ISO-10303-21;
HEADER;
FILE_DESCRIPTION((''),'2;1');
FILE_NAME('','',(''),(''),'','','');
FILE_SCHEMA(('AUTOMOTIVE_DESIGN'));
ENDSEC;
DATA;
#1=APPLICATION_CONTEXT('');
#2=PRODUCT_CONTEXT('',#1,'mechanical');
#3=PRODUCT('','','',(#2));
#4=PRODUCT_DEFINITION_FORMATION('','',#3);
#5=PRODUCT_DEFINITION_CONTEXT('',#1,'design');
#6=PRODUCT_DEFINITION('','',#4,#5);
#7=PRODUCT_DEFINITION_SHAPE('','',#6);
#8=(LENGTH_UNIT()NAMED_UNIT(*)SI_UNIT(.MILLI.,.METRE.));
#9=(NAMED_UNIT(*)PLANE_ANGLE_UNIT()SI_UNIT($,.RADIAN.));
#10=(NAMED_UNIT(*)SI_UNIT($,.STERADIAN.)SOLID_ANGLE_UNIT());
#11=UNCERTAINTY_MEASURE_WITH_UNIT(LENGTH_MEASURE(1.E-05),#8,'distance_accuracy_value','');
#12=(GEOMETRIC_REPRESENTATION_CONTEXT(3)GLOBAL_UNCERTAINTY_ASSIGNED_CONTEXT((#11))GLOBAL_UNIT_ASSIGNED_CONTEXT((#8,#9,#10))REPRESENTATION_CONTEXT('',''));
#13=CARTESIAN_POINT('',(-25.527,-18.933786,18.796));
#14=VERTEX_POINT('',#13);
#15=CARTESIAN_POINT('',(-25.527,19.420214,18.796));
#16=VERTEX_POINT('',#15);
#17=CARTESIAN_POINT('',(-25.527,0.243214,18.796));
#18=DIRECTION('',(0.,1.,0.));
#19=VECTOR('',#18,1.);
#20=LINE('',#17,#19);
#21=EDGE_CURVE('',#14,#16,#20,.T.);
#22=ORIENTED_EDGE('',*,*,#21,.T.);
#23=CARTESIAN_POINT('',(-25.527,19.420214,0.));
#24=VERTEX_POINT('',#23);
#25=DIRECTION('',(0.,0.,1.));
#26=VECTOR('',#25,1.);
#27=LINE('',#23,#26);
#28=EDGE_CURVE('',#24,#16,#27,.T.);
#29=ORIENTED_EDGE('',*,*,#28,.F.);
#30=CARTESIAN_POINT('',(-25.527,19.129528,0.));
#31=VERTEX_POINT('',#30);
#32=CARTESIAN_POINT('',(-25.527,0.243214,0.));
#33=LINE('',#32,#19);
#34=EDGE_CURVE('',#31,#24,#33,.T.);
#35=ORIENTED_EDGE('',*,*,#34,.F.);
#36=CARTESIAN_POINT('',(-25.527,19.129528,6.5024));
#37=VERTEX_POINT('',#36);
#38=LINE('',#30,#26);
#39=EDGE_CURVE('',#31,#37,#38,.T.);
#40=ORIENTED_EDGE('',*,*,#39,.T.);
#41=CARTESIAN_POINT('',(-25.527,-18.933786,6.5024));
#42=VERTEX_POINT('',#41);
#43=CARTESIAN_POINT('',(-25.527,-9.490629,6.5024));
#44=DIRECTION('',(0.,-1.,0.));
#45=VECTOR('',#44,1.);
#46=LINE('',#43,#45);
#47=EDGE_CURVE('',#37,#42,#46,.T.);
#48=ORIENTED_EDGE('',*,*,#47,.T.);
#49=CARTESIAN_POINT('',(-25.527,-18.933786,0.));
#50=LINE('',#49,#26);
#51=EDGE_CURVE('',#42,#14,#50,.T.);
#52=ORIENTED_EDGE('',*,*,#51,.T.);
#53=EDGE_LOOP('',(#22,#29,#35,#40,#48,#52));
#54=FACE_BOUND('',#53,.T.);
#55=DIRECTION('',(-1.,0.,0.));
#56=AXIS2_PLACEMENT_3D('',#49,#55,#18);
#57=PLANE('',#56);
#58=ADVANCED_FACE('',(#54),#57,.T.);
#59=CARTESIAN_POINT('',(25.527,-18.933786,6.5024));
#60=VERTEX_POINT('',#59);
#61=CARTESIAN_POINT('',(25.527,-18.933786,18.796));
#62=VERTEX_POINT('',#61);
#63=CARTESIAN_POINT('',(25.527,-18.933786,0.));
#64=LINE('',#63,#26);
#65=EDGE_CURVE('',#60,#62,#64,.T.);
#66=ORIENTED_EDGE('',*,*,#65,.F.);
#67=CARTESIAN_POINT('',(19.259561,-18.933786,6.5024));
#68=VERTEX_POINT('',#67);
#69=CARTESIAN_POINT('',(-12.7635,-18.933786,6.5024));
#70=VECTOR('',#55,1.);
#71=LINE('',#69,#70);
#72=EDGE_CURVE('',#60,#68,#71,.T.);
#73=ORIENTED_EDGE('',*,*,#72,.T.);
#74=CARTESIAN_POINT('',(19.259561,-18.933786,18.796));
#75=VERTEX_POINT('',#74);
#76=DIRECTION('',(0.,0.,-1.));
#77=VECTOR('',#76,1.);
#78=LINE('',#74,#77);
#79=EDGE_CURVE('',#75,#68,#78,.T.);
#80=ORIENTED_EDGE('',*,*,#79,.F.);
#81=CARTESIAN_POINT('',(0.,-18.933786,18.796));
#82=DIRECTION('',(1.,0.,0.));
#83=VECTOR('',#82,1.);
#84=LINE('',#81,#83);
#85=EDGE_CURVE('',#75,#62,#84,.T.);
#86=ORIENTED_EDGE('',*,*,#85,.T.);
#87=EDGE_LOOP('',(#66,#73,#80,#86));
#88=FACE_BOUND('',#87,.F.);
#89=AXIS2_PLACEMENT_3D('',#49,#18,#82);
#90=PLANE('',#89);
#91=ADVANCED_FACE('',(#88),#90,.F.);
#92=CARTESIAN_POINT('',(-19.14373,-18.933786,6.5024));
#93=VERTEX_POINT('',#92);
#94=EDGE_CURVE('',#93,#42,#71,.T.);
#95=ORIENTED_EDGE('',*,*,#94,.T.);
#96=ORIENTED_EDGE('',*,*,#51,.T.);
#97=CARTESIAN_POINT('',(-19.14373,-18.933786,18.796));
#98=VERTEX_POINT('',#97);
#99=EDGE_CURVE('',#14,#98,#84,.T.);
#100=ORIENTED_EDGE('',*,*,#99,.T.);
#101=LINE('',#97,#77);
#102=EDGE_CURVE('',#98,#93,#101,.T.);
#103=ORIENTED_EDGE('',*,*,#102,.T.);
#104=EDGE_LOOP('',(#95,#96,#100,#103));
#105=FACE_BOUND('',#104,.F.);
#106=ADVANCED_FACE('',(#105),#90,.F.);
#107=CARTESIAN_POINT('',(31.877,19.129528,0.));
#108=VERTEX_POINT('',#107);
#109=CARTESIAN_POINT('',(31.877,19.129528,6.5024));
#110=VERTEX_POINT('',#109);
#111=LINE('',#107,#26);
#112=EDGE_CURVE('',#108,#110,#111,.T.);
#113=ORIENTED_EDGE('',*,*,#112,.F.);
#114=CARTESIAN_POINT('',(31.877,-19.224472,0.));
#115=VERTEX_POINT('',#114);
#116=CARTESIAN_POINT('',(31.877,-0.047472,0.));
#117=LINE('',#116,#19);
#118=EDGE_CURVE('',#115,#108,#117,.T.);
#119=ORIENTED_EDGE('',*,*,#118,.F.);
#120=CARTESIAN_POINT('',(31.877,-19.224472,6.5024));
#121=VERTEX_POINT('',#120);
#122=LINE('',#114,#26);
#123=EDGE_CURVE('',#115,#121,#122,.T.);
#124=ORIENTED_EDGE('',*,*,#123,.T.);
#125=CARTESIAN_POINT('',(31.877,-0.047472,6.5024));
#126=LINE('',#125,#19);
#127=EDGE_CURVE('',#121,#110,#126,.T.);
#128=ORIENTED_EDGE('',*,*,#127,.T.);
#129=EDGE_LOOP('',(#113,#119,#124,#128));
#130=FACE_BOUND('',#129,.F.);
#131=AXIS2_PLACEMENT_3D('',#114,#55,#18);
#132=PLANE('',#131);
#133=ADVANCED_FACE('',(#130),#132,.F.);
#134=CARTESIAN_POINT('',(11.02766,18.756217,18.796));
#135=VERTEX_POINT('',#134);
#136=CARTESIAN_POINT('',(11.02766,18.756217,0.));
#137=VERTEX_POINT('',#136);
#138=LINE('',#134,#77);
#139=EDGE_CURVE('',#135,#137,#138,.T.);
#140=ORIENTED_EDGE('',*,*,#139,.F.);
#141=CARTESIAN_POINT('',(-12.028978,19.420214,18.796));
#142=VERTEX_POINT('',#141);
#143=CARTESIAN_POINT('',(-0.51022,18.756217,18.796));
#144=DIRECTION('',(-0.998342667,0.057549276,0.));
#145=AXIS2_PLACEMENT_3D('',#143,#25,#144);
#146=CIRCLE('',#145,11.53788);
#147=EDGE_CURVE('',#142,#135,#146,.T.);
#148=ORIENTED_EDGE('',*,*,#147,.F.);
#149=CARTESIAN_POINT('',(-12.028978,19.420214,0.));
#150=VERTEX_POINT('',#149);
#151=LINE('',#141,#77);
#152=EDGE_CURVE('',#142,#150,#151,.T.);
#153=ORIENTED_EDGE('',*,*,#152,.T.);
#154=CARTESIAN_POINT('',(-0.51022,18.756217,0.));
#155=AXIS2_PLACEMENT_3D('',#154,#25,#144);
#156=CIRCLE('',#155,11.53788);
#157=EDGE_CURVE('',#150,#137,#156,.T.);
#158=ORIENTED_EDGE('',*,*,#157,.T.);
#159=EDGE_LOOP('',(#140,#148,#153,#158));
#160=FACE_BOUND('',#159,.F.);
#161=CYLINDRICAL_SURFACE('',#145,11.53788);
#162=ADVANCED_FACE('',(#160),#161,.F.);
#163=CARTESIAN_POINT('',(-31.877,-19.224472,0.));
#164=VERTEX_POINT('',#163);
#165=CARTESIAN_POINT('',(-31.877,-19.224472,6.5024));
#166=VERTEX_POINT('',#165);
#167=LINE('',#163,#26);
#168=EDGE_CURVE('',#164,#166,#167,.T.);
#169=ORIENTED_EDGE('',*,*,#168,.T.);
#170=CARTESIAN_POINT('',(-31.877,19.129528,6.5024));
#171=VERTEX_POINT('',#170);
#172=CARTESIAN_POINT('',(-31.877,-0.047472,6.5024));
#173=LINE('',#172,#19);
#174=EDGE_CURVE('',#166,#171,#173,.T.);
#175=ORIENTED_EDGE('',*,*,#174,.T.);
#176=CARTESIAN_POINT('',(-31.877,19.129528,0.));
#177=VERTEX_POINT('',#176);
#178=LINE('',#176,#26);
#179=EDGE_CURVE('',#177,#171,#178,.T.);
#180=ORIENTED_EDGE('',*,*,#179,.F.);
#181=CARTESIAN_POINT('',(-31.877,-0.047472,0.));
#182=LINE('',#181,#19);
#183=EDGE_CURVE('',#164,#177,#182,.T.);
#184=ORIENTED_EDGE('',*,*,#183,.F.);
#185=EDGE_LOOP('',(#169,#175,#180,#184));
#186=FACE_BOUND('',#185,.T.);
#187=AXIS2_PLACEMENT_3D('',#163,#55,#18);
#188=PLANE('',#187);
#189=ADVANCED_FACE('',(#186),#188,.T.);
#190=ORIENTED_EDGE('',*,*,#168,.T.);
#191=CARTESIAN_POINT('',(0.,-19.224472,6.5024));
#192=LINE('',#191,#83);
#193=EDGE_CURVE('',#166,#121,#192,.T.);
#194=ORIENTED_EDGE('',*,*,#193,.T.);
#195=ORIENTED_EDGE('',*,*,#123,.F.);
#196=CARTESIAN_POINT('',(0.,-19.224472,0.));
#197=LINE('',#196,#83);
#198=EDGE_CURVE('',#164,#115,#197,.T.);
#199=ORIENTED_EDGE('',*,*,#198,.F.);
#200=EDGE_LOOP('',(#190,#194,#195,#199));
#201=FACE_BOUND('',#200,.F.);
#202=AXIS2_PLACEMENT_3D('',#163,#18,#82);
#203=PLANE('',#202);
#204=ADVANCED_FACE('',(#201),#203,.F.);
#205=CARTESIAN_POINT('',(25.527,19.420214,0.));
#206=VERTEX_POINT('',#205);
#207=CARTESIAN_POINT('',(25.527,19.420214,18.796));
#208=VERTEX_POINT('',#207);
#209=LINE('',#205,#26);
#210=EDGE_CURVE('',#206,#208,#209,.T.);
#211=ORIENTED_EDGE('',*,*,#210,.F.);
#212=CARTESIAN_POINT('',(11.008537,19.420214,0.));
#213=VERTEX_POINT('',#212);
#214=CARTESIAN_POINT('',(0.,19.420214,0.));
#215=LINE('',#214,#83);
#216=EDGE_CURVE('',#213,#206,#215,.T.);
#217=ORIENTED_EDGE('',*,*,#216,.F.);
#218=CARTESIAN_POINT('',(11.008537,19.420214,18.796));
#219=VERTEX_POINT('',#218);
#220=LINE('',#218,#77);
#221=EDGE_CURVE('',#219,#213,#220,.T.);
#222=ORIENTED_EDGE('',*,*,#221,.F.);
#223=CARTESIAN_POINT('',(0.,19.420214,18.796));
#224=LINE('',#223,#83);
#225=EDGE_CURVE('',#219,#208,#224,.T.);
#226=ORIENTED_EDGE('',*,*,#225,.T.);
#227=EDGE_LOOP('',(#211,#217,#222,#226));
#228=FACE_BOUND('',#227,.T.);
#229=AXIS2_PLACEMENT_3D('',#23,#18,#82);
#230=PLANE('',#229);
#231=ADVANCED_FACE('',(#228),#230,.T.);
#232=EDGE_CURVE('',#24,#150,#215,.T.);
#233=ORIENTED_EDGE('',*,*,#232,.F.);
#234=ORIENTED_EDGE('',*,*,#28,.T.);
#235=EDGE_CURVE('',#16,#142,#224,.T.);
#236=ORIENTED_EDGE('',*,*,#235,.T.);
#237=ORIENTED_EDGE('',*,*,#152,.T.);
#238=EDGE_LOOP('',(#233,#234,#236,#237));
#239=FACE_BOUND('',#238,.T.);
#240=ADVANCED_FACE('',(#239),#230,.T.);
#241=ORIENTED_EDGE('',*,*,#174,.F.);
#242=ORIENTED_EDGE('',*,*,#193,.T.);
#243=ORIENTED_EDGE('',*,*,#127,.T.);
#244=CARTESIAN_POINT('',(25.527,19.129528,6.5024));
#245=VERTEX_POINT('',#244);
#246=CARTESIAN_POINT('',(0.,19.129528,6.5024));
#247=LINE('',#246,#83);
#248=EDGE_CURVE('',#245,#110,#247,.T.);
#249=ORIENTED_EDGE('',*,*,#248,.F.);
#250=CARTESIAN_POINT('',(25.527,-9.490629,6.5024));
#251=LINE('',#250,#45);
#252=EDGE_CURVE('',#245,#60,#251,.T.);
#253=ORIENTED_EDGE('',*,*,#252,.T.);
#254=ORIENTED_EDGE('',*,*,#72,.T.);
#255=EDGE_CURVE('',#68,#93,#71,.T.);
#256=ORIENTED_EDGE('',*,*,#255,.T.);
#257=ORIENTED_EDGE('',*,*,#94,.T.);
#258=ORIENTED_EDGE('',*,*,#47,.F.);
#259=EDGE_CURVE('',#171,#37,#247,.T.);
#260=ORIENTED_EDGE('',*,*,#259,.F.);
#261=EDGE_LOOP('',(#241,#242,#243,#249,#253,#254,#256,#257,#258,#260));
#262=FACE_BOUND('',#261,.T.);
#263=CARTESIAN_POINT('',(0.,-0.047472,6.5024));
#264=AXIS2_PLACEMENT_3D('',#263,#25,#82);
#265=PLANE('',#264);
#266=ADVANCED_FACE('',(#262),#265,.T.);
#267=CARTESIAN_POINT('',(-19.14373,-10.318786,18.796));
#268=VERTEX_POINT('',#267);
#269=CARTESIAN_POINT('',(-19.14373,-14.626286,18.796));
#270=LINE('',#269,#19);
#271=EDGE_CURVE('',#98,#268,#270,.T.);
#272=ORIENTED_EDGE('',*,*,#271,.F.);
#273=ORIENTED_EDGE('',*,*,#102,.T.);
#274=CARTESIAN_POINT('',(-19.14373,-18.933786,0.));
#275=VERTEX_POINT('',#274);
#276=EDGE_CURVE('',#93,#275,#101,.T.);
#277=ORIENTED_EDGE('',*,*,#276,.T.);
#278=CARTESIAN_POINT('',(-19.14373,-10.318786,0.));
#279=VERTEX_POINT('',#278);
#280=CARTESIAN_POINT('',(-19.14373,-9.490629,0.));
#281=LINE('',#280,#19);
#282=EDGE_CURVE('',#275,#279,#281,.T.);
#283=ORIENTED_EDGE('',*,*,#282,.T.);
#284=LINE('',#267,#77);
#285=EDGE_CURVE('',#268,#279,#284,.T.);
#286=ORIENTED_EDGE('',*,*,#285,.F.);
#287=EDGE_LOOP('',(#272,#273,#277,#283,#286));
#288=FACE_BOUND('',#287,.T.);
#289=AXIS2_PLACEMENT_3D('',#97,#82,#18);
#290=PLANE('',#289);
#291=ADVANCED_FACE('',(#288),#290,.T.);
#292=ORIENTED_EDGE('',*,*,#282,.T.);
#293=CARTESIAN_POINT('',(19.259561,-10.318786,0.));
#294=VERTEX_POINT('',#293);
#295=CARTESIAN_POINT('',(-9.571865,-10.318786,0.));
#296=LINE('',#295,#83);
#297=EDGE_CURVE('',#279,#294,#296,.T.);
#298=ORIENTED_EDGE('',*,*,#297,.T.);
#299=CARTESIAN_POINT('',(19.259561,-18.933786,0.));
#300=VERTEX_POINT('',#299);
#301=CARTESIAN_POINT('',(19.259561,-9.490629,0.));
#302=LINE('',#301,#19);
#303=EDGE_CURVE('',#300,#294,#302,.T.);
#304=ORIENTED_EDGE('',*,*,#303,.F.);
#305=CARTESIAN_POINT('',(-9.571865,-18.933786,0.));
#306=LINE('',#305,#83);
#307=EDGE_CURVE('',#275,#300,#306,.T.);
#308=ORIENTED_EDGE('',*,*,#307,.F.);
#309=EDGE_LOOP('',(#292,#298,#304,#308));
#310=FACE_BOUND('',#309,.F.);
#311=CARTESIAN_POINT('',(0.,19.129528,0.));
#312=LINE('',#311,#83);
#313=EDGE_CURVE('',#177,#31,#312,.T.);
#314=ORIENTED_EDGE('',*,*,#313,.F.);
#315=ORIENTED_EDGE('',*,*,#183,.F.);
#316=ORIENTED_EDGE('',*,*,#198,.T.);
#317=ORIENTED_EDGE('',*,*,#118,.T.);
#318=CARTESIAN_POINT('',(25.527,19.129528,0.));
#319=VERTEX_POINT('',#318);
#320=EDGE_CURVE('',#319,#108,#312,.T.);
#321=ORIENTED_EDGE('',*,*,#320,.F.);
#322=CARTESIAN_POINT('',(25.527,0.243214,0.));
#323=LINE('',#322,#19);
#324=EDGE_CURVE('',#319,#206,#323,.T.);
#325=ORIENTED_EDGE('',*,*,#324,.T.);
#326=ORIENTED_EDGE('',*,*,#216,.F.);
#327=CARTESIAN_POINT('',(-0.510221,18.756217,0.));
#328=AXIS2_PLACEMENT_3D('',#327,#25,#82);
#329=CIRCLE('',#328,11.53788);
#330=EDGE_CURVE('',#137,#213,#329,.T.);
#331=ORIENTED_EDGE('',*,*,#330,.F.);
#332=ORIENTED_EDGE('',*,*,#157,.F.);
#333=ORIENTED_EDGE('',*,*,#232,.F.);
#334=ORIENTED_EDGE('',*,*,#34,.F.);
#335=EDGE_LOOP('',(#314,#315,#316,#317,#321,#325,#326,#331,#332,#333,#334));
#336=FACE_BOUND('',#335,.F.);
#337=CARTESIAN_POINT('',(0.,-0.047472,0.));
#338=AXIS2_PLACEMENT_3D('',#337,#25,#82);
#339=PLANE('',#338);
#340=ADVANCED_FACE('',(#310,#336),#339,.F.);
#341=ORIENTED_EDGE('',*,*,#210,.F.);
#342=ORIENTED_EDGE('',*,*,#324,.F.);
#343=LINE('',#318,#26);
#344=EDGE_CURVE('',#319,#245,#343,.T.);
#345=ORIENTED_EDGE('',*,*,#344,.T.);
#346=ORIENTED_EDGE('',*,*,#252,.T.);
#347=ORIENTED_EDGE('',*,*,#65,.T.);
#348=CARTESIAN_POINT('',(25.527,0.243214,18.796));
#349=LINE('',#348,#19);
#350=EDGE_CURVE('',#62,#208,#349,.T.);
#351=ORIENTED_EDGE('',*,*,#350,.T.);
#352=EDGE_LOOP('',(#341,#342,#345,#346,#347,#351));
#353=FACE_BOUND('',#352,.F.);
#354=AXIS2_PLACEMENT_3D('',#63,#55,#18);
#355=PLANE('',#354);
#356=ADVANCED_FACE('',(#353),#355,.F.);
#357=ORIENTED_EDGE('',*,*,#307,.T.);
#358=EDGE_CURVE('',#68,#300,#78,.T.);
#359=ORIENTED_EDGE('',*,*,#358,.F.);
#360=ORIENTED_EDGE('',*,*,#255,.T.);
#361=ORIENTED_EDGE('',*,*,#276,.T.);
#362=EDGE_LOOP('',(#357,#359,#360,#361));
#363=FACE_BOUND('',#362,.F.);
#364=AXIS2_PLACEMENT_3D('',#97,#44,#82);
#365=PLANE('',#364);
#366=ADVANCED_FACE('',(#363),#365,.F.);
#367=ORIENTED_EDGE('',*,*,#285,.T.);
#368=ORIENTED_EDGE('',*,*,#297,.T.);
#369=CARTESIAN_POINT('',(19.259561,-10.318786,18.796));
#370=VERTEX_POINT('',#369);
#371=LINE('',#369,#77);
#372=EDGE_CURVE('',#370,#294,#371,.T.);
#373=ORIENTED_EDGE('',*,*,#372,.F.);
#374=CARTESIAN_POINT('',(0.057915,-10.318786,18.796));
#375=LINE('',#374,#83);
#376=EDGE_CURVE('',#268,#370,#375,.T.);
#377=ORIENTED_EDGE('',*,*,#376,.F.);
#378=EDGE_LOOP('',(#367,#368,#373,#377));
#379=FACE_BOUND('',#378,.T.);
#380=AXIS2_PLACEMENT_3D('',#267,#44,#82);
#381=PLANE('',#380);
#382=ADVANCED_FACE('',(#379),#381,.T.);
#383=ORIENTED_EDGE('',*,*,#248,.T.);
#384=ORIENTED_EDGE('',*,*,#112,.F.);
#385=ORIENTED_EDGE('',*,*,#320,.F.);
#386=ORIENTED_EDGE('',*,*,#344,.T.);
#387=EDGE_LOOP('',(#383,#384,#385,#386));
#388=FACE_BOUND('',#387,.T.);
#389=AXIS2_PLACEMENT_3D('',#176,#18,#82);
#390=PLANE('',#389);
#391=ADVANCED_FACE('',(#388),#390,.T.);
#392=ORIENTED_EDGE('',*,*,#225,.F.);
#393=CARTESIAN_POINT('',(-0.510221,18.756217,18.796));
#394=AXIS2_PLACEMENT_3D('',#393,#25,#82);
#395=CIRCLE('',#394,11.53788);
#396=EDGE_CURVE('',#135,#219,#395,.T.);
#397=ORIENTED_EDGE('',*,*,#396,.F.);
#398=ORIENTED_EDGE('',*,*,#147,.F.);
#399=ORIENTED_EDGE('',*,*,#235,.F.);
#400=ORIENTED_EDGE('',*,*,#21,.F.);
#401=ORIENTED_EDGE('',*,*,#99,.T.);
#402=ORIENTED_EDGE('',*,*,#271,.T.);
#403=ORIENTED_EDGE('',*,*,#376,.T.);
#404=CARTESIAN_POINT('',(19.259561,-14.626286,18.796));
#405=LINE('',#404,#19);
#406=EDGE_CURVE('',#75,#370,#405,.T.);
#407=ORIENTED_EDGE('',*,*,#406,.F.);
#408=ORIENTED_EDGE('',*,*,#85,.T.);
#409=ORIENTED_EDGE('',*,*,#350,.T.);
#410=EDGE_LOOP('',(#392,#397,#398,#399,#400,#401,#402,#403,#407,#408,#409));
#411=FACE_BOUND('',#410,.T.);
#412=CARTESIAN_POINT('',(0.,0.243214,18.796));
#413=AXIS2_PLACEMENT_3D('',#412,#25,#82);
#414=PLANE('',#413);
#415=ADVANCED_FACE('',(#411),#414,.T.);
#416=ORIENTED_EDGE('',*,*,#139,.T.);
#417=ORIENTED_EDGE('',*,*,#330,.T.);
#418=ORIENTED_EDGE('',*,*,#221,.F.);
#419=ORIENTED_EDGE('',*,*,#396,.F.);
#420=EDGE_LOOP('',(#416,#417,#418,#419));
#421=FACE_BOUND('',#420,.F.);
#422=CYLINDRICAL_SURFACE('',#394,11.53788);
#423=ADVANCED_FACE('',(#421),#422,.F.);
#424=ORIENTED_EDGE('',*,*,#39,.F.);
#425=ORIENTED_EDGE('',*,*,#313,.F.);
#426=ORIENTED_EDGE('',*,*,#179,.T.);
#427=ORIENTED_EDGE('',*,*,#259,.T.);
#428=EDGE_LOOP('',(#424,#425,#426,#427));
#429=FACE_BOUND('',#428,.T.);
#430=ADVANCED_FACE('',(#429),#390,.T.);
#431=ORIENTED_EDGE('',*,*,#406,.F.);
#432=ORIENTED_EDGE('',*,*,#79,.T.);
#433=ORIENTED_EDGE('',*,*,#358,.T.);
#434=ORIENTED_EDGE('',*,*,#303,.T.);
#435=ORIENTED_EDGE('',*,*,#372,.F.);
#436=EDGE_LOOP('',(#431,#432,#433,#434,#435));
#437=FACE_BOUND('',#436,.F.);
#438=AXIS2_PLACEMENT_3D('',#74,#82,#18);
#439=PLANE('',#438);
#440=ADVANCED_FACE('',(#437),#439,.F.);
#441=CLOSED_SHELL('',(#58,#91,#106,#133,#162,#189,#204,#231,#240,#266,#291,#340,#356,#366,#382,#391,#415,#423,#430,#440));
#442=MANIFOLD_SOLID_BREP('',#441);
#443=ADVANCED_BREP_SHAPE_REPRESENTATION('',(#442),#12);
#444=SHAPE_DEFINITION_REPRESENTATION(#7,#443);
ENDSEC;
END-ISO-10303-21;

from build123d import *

# Parameters (mm, degrees)
F0_W     = 63.754
F0_H     = 38.354
F1_DEPTH = 6.5024
F2_W     = 51.054
F2_H     = 38.354
F3_DEPTH = 18.796
F4_W     = 38.4032912552
F4_H     = 8.6150002171
F5_DEPTH = 25.4
F7_DEPTH = 18.797


with BuildPart() as f1:
    # F0 (on Top) → F1 (new body)
    with BuildSketch(Plane.XY):
        with Locations((0, -0.0474722673)):
            Rectangle(F0_W, F0_H)
    extrude(amount=F1_DEPTH)

    # F2 (on Top) → F3 (join)
    with BuildSketch(Plane.XY):
        with Locations((0, 0.243213877)):
            Rectangle(F2_W, F2_H)
    extrude(amount=F3_DEPTH)

    # F4 (on face) → F5 (cut)
    with BuildSketch(Plane.XY.offset(18.796)):
        with Locations((0.0579152256, -14.6262860144)):
            Rectangle(F4_W, F4_H)
    extrude(amount=-F5_DEPTH, mode=Mode.SUBTRACT)

    # F6 (on face) → F7 (cut, through all)
    with BuildSketch(Plane.XY.offset(18.796)):
        with BuildLine():
            ThreePointArc((11.0276596023, 18.7562172295), (11.0228780842, 19.0883531968), (11.0085374932, 19.420213877))
            Line((11.0085374932, 19.420213877), (-12.0289784785, 19.420213877))
            ThreePointArc((-12.0289784785, 19.420213877), (-0.8423564599, 7.2231186526), (11.0276596023, 18.7562172295))
        make_face()
    extrude(amount=-F7_DEPTH, mode=Mode.SUBTRACT)


solid = f1.part
